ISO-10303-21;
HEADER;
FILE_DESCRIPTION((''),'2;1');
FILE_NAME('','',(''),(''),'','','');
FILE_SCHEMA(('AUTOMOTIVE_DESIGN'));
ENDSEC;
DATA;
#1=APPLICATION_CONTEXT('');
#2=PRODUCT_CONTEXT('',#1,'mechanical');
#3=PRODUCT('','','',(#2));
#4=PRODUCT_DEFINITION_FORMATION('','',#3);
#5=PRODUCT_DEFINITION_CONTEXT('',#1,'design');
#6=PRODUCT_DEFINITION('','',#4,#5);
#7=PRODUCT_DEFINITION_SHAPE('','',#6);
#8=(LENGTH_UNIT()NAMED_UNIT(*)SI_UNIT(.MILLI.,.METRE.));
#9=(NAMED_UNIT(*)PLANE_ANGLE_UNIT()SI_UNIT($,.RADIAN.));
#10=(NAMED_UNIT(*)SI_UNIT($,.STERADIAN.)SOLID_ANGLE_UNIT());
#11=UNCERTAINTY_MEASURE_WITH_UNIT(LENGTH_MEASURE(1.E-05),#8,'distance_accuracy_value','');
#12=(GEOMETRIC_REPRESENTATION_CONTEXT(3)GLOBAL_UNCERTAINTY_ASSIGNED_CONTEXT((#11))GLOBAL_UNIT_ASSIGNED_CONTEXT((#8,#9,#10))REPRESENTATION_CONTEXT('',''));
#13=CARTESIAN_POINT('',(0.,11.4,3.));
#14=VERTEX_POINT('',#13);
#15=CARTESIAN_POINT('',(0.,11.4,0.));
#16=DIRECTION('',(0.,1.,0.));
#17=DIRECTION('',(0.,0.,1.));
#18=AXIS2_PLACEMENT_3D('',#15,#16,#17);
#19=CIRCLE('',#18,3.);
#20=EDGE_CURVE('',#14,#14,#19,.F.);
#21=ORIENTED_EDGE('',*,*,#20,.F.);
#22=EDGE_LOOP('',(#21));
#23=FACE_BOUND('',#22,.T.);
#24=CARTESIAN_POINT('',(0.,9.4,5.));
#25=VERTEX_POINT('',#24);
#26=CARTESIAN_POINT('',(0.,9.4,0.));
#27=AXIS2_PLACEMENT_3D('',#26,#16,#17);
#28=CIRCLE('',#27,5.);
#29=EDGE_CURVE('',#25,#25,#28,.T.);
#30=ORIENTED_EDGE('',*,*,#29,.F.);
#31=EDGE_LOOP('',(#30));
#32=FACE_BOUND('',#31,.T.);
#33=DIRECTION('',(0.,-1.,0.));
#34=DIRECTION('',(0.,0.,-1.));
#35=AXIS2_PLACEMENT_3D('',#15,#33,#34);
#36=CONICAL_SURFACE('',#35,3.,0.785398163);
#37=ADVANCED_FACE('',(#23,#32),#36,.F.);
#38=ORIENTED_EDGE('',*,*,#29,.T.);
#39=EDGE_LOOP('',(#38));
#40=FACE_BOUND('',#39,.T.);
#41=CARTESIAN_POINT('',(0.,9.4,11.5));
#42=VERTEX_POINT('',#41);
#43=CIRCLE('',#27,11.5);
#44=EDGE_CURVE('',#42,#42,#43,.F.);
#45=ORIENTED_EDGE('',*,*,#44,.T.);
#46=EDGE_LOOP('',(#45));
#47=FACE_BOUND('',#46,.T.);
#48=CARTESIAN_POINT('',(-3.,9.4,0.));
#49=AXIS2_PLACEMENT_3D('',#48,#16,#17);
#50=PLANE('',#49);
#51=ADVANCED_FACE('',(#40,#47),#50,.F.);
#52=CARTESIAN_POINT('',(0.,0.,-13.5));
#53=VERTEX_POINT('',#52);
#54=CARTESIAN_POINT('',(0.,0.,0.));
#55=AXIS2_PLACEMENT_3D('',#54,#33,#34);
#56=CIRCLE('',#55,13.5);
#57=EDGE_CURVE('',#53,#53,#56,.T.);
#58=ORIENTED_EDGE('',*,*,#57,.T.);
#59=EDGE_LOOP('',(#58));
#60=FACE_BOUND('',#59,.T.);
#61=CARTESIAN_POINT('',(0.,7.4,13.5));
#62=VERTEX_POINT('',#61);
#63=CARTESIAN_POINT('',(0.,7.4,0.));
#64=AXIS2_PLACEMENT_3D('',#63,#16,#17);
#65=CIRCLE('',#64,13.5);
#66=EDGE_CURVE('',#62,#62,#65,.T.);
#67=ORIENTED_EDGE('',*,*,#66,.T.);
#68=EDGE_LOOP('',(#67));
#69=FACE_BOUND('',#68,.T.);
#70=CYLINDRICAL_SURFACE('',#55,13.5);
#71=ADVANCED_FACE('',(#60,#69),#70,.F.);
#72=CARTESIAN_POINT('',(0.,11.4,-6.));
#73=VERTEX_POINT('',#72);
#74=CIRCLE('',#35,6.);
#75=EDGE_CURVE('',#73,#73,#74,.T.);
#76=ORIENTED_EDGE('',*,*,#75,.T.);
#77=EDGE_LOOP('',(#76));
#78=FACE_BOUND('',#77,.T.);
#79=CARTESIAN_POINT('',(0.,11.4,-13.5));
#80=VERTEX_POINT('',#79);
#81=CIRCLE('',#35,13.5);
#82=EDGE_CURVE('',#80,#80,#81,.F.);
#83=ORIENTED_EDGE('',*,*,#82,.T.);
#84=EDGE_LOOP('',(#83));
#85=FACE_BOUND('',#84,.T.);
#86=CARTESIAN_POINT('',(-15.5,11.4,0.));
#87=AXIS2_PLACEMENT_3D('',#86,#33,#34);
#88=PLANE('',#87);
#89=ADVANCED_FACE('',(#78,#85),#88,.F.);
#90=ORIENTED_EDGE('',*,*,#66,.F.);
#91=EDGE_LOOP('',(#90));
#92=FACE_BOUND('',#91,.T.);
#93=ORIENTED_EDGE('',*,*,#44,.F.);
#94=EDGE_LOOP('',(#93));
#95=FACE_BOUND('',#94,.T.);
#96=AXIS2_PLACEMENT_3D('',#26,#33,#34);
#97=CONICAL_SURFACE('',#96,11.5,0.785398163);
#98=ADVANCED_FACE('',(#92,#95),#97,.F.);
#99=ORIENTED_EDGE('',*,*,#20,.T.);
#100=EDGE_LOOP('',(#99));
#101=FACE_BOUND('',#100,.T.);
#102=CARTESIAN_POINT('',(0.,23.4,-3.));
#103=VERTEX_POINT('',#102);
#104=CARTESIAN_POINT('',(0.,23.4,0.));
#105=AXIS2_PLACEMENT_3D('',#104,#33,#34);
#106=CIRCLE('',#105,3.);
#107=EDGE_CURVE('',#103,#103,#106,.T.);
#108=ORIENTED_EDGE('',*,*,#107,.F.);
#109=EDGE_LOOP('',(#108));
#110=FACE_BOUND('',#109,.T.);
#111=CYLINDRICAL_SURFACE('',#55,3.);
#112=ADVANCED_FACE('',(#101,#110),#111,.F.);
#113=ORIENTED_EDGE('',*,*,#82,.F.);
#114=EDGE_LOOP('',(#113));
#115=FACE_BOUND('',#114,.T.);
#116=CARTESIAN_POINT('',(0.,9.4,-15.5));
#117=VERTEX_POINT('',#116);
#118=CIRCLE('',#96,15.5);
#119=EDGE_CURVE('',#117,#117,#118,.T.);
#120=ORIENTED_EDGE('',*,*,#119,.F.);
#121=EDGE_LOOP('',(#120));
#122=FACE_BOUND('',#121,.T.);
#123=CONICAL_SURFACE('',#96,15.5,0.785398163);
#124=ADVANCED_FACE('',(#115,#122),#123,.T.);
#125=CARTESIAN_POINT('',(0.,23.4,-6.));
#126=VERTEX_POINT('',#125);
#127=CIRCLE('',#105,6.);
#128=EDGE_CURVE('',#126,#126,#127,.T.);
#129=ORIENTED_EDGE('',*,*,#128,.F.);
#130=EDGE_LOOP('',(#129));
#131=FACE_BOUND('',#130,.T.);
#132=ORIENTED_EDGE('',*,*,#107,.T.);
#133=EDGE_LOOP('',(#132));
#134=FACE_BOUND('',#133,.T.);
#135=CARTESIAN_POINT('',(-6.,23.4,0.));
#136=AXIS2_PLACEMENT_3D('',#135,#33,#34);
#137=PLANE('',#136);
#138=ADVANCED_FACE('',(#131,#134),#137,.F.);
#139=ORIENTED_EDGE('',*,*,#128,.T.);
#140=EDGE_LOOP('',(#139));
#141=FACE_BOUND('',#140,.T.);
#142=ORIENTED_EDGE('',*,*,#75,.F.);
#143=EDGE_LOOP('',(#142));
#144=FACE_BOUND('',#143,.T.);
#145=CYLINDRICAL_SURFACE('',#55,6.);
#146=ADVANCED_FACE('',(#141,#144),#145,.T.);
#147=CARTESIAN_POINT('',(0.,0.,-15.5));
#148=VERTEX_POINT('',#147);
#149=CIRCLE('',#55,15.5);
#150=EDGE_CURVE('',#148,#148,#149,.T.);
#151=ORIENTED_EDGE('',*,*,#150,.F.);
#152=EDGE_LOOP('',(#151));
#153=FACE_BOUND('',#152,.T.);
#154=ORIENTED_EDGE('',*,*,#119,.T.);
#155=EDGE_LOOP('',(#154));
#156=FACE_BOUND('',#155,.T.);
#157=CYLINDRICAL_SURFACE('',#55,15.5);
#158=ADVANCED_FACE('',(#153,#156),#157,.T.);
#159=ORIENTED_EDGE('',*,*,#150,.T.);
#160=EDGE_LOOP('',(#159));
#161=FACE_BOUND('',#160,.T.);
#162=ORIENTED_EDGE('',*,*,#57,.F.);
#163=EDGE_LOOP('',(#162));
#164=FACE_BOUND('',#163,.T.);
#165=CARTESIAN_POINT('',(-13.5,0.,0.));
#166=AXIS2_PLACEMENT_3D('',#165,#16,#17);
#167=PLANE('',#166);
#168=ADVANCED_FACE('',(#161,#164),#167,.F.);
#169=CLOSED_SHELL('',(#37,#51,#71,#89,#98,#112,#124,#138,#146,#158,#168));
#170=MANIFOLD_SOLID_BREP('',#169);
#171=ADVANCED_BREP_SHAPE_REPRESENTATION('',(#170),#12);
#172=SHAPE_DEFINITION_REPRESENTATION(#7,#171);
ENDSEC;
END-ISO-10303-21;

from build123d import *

# Parameters (mm, degrees)
CHAMFER1_SIZE = 2
CHAMFER2_SIZE = 2


with BuildPart() as part:
    # Sketch1 → Revolve1 (revolve)
    with BuildSketch(Plane.XY, mode=Mode.PRIVATE) as revolve1_sk:
        Polygon((-15.5, 0), (-15.5, 11.4), (-6, 11.4), (-6, 23.4), (-3, 23.4), (-3, 9.4), (-13.5, 9.4), (-13.5, 0), align=None)
    revolve(revolve1_sk.sketch.rotate(Axis((0, 0, 0), (0, 1, 0)), 270), axis=Axis((0, 0, 0), (0, 1, 0)))

    # Chamfer1
    chamfer1_edges = [part.edges().sort_by_distance(p)[0] for p in [
        (0, 9.4, 13.5),
        (0, 11.4, 15.5),
    ]]
    chamfer(chamfer1_edges, length=CHAMFER1_SIZE)

    # Chamfer2
    chamfer2_edges = [part.edges().sort_by_distance(p)[0] for p in [
        (0, 9.4, 3),
    ]]
    chamfer(chamfer2_edges, length=CHAMFER2_SIZE)


solid = part.part
